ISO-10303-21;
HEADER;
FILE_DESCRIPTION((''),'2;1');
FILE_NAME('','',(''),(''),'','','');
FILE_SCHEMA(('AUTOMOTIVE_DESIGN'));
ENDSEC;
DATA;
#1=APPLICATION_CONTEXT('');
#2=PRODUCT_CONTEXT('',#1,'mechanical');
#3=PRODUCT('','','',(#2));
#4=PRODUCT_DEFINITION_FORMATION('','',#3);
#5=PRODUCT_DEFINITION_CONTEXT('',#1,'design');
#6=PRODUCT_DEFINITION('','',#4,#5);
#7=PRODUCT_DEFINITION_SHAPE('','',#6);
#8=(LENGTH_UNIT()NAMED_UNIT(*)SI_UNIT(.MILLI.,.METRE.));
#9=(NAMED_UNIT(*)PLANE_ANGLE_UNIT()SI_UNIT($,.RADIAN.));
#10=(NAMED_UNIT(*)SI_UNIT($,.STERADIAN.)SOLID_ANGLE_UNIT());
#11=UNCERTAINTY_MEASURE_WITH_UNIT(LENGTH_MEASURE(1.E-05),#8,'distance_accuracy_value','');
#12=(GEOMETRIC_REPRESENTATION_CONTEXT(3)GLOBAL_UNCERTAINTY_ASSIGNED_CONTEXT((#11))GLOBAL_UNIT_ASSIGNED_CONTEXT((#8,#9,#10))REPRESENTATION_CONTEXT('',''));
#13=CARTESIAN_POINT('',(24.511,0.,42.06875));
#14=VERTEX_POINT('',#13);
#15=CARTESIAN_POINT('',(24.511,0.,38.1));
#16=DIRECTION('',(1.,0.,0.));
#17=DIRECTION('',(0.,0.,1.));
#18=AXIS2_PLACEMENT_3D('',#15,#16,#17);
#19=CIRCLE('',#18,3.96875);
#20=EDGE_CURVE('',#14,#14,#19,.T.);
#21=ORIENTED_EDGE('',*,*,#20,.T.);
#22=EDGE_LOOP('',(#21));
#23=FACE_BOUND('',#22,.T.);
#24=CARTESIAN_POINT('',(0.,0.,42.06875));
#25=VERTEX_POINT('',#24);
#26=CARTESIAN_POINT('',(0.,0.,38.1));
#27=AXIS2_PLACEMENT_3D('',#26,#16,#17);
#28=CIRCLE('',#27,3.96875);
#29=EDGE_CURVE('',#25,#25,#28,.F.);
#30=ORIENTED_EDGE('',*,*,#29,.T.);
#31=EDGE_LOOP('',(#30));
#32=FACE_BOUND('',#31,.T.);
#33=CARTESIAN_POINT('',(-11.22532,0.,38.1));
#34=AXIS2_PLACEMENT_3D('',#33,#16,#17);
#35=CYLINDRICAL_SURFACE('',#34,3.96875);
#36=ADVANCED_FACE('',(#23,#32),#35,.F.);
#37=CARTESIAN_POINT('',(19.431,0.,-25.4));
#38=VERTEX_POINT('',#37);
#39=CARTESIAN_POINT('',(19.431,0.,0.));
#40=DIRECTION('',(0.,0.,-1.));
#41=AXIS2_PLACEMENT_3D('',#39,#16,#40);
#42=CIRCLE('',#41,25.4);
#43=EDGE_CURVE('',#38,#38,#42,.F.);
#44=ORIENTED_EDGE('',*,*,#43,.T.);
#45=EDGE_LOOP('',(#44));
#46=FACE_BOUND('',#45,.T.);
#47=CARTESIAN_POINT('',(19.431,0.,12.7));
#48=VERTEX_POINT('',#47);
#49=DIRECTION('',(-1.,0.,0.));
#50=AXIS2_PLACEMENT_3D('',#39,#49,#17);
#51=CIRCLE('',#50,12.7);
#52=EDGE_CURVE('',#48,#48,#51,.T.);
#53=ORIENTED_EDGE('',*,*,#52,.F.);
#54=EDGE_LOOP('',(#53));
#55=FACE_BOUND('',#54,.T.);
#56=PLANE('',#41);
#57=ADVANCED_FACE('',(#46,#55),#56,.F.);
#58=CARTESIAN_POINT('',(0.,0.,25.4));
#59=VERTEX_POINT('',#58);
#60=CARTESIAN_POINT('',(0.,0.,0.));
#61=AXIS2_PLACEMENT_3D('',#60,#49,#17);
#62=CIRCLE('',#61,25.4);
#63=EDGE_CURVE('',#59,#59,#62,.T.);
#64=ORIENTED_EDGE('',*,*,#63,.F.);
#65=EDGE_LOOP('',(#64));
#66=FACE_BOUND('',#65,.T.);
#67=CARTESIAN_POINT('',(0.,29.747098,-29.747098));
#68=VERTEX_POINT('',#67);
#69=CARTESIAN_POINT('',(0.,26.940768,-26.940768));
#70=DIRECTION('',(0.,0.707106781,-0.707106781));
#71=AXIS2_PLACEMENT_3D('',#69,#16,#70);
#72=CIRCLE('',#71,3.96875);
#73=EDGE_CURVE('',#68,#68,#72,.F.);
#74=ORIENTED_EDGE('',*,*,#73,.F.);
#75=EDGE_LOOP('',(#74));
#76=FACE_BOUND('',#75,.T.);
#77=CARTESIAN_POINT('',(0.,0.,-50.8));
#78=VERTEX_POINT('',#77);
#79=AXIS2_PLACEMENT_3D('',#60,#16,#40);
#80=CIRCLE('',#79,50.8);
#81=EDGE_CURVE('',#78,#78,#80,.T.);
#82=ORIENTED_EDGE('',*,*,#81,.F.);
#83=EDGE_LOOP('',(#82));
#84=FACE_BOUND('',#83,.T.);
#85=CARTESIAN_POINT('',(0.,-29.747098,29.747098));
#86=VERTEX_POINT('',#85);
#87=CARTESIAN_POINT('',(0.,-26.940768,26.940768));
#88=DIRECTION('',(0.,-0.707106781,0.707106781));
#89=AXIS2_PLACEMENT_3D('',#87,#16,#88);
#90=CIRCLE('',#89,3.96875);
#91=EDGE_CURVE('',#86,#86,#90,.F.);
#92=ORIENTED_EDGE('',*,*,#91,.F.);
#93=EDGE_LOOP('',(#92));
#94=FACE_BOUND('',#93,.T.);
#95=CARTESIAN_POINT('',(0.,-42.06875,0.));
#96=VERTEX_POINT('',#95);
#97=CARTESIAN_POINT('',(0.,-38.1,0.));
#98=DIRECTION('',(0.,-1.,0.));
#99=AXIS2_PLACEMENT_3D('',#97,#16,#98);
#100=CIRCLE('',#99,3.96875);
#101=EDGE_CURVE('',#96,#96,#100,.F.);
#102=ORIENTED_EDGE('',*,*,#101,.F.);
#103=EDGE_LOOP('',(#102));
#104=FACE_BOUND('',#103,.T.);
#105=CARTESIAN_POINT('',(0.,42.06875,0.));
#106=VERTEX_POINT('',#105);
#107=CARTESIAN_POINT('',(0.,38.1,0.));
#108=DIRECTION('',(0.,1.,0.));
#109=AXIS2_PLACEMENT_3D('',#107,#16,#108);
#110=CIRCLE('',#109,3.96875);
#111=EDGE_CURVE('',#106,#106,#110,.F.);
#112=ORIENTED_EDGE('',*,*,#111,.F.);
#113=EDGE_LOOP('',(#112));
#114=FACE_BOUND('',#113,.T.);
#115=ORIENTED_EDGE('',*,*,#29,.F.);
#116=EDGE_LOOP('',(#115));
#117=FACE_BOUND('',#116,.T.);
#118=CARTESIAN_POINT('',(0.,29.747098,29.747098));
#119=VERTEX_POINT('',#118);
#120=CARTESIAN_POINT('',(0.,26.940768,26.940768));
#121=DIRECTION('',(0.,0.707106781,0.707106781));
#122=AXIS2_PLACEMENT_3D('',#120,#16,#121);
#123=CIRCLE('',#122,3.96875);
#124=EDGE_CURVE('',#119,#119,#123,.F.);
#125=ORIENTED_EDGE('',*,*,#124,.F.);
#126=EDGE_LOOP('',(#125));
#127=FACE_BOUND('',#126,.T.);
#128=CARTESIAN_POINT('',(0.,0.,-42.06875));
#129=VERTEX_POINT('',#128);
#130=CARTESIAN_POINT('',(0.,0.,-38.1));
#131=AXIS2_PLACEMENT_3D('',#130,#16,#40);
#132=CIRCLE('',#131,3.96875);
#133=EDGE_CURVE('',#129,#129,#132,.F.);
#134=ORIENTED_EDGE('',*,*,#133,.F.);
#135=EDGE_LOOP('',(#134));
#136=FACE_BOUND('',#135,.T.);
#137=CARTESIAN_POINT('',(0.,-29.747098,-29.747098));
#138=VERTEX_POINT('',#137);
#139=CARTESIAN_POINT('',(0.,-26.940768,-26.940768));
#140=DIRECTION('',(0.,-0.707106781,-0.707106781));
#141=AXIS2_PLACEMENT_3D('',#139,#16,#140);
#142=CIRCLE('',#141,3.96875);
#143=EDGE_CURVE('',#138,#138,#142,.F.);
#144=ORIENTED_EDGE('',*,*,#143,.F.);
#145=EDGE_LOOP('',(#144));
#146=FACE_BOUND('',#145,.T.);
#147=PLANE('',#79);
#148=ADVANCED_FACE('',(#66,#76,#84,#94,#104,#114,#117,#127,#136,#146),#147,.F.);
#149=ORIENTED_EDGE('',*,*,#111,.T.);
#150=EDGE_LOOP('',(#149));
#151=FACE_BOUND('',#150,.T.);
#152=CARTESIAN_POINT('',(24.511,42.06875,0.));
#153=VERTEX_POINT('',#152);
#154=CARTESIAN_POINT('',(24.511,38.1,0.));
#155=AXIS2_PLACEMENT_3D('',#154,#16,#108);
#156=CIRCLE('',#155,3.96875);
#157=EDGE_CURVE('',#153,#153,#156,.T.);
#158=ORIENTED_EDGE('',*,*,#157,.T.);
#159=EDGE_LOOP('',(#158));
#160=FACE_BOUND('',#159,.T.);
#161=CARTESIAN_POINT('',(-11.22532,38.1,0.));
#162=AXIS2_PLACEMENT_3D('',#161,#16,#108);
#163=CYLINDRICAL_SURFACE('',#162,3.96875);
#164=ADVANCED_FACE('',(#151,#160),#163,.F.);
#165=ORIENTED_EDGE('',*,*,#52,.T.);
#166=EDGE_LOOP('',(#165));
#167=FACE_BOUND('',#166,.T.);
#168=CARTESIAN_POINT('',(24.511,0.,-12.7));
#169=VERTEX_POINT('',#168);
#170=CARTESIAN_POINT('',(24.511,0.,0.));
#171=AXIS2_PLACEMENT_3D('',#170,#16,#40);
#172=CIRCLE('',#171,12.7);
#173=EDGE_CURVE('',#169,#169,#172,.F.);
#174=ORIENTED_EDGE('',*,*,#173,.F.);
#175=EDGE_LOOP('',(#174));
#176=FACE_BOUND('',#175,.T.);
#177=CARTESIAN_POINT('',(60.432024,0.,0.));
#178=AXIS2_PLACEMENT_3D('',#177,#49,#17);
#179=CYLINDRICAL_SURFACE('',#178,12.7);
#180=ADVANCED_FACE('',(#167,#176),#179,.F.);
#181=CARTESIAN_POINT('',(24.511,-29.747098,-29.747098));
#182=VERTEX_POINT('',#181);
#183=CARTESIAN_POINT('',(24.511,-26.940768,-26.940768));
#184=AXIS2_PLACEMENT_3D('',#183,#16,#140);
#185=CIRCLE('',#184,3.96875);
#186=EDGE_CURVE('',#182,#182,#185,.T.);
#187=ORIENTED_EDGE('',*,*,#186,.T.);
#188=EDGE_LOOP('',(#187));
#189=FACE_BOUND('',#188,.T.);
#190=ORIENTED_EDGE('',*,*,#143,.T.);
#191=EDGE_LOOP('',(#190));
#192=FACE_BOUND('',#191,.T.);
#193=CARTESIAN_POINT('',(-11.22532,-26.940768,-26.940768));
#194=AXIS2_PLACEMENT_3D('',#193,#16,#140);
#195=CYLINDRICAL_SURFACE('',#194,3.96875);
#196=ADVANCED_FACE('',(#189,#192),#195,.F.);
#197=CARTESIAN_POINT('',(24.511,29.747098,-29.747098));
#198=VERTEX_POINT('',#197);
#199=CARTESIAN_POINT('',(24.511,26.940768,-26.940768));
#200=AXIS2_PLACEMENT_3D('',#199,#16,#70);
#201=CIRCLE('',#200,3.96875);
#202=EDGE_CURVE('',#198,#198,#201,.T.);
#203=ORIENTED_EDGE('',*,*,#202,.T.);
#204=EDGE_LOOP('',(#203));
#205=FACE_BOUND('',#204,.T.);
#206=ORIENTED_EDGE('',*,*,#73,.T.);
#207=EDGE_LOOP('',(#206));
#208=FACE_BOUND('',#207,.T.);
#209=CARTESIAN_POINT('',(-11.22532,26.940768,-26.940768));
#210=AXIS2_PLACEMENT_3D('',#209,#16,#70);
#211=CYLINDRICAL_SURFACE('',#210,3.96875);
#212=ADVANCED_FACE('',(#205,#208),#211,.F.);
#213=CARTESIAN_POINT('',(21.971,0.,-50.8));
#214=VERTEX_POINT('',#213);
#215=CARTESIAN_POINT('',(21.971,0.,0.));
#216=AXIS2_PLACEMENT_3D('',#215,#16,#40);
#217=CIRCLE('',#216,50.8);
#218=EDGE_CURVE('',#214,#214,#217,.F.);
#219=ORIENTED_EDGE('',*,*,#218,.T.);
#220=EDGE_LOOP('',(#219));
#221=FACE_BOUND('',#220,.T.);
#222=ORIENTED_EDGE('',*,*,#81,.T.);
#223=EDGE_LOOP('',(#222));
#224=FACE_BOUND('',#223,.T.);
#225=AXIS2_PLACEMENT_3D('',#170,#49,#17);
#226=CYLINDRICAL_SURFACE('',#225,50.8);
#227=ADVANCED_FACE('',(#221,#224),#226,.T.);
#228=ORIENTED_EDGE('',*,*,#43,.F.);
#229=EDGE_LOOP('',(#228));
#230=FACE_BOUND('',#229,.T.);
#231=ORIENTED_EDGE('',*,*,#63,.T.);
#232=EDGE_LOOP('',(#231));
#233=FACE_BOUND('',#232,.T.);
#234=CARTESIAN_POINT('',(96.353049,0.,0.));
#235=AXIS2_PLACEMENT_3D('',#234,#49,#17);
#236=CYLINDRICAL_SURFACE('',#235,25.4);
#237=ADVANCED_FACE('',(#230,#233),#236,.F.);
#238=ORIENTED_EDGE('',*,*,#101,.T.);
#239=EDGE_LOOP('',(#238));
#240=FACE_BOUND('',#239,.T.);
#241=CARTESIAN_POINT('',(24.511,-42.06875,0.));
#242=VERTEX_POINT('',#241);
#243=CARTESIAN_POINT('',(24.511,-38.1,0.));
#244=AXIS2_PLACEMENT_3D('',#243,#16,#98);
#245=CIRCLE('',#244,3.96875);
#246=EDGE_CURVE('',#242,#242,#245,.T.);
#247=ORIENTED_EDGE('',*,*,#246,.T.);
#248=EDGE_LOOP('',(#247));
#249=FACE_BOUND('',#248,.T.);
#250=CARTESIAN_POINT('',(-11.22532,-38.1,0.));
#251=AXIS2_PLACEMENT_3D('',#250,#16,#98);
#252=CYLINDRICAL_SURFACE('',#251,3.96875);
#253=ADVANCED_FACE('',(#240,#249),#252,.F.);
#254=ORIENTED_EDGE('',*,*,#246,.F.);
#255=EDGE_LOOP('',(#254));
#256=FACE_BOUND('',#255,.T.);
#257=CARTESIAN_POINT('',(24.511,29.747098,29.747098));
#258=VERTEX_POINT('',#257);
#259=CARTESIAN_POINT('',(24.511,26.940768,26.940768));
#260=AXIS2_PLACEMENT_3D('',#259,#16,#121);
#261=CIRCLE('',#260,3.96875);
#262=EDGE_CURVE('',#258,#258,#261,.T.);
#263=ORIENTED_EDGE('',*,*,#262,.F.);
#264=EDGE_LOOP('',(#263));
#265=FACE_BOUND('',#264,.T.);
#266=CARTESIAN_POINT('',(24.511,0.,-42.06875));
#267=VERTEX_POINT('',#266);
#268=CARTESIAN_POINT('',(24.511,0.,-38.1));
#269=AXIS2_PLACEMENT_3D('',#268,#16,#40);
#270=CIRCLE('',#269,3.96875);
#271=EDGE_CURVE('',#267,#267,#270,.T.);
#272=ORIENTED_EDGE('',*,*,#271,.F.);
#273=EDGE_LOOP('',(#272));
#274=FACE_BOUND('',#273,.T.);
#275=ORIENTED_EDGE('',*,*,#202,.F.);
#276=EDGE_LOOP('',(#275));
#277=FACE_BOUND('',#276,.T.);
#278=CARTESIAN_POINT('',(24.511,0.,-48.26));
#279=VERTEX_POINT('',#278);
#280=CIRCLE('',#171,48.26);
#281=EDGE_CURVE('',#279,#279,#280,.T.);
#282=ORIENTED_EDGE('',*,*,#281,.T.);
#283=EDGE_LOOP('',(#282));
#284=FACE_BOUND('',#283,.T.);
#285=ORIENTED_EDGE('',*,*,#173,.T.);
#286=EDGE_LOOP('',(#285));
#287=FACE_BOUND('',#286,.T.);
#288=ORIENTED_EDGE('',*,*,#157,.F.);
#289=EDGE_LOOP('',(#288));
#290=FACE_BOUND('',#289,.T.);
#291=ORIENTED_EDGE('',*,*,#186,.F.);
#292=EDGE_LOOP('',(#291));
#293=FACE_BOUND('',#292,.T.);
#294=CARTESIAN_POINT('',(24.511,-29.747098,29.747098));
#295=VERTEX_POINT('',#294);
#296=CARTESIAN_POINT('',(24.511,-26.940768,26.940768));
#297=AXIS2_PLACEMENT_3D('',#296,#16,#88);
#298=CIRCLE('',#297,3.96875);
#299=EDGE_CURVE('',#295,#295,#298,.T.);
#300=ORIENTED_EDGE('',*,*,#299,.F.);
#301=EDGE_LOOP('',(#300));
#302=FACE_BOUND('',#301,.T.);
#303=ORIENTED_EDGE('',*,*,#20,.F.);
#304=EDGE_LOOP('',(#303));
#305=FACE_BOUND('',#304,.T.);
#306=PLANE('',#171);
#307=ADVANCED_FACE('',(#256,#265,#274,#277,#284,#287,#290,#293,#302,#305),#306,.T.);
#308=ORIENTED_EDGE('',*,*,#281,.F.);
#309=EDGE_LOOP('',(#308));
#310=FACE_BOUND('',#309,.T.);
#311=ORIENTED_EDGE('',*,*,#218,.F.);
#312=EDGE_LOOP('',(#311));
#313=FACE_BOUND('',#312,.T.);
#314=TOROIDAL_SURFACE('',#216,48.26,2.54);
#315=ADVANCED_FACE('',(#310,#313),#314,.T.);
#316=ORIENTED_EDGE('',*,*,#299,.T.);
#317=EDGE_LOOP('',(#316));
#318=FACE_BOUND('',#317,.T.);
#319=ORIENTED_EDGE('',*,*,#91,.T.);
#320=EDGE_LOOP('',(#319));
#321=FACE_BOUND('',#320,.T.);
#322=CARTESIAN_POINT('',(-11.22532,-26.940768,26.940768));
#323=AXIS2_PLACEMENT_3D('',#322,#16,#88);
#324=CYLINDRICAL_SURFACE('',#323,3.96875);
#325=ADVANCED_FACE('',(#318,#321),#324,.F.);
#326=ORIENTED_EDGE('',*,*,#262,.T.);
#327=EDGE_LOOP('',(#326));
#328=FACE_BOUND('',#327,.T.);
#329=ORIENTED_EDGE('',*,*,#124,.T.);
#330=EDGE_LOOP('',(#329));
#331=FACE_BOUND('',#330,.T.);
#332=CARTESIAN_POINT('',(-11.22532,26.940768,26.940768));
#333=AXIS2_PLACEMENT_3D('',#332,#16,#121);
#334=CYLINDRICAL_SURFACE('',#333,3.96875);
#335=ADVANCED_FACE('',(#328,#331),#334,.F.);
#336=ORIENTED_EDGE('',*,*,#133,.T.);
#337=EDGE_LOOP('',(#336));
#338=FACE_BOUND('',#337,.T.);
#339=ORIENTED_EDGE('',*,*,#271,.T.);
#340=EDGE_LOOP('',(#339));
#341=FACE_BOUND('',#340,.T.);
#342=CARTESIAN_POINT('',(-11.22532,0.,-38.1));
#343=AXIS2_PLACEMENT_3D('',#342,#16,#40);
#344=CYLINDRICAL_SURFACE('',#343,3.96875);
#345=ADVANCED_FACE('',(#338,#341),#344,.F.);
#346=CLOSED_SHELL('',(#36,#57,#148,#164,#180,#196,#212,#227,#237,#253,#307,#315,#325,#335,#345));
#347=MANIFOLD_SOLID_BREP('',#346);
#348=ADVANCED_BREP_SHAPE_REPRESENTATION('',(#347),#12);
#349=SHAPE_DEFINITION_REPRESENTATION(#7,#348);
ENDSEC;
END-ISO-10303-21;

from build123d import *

# Parameters (mm, degrees)
SKETCH1_R           = 50.8
BOSS_EXTRUDE1_DEPTH = 24.511
FILLET1_R           = 2.54
SKETCH3_R           = 3.96875
CUT_EXTRUDE2_DEPTH  = 24.511
CIRPATTERN1_COUNT   = 8
SKETCH6_R           = 25.4
CUT_EXTRUDE5_DEPTH  = 19.431
SKETCH7_R           = 12.7
CUT_EXTRUDE6_DEPTH  = 5.08


with BuildPart() as part:
    # Sketch1 → Boss-Extrude1 (new body)
    with BuildSketch(Plane(origin=(0, 0, 0), x_dir=(0, 0, -1), z_dir=(1, 0, 0))):
        Circle(SKETCH1_R)
    extrude(amount=BOSS_EXTRUDE1_DEPTH)

    # Fillet1
    fillet1_edges = [part.edges().sort_by_distance(p)[0] for p in [
        (24.511, 0, 50.8),
    ]]
    fillet(fillet1_edges, radius=FILLET1_R)

    # Sketch3 → Cut-Extrude2 (cut)
    with BuildSketch(Plane(origin=(24.511, 0, 0), x_dir=(0, 0, -1), z_dir=(1, 0, 0))):
        with Locations((38.1, 0)):
            Circle(SKETCH3_R)
    cut_extrude2 = extrude(amount=-CUT_EXTRUDE2_DEPTH, mode=Mode.SUBTRACT)

    # CirPattern1: Cut-Extrude2 ×8 about axis
    cirpattern1_axis = Axis((0, 0, 0), (1, 0, 0))
    for i in range(1, CIRPATTERN1_COUNT):
        add(cut_extrude2.rotate(cirpattern1_axis, i * 360 / CIRPATTERN1_COUNT), mode=Mode.SUBTRACT)

    # Sketch6 → Cut-Extrude5 (cut)
    with BuildSketch(Plane.ZY):
        Circle(SKETCH6_R)
    extrude(amount=-CUT_EXTRUDE5_DEPTH, mode=Mode.SUBTRACT)

    # Sketch7 → Cut-Extrude6 (cut)
    with BuildSketch(Plane.ZY.offset(-19.431)):
        Circle(SKETCH7_R)
    extrude(amount=-CUT_EXTRUDE6_DEPTH, mode=Mode.SUBTRACT)


solid = part.part
